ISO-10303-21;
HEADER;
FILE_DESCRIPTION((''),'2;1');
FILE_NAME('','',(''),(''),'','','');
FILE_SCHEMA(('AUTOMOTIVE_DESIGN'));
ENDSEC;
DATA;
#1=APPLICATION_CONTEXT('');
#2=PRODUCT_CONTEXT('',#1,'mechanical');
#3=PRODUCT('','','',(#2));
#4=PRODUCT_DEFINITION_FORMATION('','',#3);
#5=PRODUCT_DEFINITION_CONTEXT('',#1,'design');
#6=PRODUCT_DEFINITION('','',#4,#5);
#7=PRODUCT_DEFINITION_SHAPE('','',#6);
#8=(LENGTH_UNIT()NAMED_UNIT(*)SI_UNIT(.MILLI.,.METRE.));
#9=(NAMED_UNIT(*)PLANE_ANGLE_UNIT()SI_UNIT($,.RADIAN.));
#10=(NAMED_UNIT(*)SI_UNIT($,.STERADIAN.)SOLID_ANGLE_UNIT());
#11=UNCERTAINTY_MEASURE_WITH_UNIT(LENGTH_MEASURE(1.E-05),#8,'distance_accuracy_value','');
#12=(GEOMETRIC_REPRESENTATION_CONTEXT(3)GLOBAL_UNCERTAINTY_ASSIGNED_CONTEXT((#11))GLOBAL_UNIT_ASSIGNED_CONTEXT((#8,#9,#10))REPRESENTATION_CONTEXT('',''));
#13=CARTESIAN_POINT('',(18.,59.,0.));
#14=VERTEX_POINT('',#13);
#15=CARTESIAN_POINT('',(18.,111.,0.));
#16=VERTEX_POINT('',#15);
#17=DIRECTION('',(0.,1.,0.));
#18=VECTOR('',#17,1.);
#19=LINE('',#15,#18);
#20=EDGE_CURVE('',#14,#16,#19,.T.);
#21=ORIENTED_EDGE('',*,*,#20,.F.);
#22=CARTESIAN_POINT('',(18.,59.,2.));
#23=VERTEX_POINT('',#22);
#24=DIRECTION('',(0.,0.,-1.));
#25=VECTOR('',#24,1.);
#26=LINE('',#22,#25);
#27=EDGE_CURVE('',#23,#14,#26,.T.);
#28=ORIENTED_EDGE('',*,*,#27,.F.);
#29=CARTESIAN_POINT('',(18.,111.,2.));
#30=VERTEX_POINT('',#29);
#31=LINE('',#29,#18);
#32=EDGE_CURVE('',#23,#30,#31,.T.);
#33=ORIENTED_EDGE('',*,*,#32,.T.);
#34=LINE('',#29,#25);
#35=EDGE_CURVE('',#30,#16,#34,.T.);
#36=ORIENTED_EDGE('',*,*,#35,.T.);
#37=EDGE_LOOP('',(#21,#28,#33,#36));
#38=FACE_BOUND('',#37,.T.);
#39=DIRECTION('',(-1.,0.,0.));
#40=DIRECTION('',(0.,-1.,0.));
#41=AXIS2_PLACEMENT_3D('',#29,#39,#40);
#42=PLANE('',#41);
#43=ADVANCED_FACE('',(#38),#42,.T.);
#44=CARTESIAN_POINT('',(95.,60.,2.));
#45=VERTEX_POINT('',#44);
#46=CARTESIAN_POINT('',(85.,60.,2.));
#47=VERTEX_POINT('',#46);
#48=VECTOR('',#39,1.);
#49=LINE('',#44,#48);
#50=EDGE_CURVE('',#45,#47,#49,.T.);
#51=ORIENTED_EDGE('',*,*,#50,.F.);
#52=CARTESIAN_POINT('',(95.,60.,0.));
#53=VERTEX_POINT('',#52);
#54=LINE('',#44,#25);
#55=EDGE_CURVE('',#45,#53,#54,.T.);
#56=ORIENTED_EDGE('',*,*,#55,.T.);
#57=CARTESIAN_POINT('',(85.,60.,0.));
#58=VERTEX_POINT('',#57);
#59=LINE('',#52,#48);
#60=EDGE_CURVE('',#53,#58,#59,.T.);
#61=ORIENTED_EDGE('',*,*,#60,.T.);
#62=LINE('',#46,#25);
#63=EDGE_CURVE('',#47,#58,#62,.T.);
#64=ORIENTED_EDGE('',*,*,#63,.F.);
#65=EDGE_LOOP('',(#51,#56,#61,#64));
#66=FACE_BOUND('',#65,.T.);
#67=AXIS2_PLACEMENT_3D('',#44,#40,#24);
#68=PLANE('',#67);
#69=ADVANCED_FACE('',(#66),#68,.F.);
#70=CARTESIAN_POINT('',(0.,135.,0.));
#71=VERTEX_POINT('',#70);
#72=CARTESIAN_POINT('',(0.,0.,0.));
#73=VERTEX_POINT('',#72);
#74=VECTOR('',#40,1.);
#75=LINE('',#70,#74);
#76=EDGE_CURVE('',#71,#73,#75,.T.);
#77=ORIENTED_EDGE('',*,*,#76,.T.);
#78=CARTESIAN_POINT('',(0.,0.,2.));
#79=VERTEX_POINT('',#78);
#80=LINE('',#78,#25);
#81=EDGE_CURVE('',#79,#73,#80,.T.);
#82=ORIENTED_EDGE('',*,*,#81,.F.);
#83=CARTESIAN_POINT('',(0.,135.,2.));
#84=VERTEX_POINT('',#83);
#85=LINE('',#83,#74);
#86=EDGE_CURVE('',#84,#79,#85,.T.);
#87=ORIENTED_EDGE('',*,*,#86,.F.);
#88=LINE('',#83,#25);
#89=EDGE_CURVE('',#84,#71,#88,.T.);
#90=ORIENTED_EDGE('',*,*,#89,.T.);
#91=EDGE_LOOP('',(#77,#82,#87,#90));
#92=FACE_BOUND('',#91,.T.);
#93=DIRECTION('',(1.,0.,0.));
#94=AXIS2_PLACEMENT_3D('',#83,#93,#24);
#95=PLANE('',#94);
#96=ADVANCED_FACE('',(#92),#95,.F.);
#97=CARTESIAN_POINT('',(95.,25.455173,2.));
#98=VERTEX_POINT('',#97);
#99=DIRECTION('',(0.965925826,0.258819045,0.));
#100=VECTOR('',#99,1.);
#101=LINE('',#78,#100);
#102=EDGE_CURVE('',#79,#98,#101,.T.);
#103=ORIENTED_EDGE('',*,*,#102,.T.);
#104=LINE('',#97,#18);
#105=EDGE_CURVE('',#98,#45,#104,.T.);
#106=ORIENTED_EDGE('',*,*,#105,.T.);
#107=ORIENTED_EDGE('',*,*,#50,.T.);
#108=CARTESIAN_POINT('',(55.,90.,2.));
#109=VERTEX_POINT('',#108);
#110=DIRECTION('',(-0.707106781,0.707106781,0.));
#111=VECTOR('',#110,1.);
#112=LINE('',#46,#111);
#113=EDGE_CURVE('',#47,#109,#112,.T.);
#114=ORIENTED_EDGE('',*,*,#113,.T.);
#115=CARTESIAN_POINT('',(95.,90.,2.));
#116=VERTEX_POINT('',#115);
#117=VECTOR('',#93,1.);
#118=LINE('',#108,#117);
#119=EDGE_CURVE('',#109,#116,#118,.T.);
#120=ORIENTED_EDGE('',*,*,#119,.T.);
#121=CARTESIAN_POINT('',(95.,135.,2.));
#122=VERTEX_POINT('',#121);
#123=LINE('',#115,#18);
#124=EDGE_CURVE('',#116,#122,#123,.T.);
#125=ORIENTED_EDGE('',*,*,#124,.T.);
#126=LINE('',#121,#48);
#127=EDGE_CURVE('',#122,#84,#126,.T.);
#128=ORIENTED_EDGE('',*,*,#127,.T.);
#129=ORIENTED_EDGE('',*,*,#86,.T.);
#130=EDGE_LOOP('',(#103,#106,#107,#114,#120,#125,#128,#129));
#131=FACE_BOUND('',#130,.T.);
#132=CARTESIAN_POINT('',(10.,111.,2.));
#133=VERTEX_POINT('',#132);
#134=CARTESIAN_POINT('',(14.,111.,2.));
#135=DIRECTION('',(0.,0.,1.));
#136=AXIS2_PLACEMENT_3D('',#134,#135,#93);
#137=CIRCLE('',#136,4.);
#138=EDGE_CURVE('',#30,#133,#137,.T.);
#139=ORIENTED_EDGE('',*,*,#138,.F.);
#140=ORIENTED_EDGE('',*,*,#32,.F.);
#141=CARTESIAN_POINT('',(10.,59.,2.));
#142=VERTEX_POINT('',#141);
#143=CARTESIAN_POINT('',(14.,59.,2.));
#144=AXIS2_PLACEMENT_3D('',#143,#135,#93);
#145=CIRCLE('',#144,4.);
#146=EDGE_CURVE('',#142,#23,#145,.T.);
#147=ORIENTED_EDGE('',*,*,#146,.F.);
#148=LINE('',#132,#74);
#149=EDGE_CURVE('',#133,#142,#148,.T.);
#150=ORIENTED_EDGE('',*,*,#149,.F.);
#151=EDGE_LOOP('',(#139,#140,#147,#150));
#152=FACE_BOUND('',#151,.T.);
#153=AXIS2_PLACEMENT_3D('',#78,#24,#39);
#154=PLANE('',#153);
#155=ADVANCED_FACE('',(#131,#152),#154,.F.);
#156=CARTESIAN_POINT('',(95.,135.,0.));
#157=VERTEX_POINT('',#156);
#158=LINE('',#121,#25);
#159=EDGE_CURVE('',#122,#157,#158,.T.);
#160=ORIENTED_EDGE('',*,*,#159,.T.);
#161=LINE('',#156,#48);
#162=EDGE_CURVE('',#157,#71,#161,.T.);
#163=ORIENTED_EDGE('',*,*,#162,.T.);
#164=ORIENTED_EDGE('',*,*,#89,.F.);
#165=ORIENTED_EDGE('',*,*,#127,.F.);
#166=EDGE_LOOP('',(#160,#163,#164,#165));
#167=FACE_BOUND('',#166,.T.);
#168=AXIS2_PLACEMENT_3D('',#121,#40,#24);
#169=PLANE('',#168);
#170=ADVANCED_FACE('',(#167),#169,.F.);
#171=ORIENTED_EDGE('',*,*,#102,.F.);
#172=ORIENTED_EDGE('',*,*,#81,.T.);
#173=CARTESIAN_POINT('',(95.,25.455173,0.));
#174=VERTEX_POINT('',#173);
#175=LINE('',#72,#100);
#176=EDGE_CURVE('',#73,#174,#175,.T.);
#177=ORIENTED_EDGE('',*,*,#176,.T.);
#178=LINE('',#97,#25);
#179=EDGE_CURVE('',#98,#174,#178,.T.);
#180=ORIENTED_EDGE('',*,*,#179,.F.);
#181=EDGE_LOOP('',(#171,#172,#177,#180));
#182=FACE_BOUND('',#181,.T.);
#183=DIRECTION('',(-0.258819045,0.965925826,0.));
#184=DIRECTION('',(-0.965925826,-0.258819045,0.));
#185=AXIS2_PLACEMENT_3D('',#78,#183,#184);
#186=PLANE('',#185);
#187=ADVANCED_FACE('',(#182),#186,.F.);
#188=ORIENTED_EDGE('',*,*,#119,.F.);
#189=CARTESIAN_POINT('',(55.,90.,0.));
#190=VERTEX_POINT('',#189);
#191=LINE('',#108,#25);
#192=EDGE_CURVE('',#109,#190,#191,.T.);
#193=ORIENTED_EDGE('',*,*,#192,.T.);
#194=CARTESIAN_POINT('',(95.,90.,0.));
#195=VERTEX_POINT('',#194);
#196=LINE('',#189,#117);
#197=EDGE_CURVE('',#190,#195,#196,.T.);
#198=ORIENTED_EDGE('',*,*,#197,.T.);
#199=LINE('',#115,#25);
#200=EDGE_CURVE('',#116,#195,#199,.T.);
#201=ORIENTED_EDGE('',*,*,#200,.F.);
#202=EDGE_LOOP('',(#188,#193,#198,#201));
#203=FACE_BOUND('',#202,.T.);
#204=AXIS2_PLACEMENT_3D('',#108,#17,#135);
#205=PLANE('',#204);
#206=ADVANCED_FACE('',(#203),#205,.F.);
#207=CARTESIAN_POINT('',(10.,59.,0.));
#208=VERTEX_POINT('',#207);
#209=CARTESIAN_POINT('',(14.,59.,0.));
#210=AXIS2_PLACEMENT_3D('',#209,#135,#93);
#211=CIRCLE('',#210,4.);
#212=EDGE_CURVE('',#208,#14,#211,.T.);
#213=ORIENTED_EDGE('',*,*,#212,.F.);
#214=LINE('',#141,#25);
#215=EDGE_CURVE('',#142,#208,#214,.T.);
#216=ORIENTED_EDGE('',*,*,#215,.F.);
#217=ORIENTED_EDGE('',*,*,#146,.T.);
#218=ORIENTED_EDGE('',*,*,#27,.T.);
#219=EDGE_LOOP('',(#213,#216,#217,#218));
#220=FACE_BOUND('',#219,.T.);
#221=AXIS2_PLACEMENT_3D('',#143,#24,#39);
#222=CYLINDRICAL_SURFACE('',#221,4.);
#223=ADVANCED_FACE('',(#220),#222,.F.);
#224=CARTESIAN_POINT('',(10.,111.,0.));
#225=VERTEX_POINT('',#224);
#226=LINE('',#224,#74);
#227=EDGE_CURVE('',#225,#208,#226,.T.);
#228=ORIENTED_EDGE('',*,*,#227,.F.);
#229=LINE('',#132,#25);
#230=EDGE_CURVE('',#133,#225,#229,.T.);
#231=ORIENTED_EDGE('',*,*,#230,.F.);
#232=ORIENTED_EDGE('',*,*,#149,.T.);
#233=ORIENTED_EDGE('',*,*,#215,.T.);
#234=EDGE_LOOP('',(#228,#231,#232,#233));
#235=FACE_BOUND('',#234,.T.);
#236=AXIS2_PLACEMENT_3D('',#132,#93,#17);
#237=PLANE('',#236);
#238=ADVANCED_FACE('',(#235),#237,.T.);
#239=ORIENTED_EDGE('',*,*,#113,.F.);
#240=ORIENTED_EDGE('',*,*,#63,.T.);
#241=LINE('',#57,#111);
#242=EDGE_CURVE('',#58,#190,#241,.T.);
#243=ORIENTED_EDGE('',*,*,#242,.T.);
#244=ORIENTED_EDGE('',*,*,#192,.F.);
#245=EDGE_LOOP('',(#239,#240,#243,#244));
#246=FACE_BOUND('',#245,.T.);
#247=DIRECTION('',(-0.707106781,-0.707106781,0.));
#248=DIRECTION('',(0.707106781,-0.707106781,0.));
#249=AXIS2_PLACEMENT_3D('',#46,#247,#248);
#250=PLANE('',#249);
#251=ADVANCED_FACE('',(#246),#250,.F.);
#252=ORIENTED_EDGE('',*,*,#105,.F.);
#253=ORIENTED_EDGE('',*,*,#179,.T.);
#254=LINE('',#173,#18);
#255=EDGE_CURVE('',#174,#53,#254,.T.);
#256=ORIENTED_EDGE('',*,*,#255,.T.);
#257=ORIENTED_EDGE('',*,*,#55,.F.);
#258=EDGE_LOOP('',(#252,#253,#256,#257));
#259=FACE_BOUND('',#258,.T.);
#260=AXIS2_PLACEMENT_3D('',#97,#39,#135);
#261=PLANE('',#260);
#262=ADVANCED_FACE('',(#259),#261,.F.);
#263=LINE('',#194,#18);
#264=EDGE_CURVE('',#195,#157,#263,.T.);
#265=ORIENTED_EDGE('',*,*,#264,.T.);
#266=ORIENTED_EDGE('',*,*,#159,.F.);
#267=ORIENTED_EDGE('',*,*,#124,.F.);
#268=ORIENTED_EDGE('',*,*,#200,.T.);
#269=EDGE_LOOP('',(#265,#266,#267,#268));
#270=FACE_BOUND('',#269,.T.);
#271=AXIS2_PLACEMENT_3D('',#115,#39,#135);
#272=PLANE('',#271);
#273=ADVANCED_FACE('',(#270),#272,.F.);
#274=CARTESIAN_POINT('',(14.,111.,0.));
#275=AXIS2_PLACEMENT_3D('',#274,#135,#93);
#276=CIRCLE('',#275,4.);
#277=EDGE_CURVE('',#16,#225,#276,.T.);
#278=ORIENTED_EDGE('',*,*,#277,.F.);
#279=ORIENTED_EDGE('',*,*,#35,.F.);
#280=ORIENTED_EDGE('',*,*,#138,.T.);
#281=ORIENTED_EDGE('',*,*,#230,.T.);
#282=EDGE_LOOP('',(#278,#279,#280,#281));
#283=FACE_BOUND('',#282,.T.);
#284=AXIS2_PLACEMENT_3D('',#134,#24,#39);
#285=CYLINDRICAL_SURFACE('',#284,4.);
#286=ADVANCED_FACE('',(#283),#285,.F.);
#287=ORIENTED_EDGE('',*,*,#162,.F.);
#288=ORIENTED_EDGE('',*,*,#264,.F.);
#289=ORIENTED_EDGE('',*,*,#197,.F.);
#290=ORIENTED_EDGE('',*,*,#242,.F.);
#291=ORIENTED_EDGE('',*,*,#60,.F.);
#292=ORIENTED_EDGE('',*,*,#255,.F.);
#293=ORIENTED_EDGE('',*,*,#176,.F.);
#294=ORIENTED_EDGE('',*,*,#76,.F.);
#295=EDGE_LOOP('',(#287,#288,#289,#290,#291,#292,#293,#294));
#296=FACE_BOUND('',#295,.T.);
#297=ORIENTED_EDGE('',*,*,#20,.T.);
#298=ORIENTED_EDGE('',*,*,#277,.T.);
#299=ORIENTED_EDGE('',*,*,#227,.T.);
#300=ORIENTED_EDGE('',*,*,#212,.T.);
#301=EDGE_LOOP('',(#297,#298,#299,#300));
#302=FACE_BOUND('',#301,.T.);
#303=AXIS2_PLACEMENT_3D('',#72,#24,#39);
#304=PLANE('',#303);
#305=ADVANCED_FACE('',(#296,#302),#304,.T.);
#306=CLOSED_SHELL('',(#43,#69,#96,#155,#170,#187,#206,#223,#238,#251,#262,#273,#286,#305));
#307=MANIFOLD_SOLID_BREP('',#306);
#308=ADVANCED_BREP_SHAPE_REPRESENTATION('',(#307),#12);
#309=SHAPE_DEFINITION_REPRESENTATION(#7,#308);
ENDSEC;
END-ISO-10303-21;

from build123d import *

# Parameters (mm, degrees)
AUFSATZ_LINEAR_AUSTRAGEN1_DEPTH = 2


with BuildPart() as part:
    # Skizze2 → Aufsatz-Linear austragen1 (new body)
    with BuildSketch(Plane.XY):
        Polygon((0, 0), (95, 25.455173281), (95, 60), (85, 60), (55, 90), (95, 90), (95, 135), (0, 135), align=None)
        with BuildLine():
            Line((18, 111), (18, 59))
            ThreePointArc((18, 59), (14, 55), (10, 59))
            Line((10, 59), (10, 111))
            ThreePointArc((10, 111), (14, 115), (18, 111))
        make_face(mode=Mode.SUBTRACT)
    extrude(amount=AUFSATZ_LINEAR_AUSTRAGEN1_DEPTH)


solid = part.part
